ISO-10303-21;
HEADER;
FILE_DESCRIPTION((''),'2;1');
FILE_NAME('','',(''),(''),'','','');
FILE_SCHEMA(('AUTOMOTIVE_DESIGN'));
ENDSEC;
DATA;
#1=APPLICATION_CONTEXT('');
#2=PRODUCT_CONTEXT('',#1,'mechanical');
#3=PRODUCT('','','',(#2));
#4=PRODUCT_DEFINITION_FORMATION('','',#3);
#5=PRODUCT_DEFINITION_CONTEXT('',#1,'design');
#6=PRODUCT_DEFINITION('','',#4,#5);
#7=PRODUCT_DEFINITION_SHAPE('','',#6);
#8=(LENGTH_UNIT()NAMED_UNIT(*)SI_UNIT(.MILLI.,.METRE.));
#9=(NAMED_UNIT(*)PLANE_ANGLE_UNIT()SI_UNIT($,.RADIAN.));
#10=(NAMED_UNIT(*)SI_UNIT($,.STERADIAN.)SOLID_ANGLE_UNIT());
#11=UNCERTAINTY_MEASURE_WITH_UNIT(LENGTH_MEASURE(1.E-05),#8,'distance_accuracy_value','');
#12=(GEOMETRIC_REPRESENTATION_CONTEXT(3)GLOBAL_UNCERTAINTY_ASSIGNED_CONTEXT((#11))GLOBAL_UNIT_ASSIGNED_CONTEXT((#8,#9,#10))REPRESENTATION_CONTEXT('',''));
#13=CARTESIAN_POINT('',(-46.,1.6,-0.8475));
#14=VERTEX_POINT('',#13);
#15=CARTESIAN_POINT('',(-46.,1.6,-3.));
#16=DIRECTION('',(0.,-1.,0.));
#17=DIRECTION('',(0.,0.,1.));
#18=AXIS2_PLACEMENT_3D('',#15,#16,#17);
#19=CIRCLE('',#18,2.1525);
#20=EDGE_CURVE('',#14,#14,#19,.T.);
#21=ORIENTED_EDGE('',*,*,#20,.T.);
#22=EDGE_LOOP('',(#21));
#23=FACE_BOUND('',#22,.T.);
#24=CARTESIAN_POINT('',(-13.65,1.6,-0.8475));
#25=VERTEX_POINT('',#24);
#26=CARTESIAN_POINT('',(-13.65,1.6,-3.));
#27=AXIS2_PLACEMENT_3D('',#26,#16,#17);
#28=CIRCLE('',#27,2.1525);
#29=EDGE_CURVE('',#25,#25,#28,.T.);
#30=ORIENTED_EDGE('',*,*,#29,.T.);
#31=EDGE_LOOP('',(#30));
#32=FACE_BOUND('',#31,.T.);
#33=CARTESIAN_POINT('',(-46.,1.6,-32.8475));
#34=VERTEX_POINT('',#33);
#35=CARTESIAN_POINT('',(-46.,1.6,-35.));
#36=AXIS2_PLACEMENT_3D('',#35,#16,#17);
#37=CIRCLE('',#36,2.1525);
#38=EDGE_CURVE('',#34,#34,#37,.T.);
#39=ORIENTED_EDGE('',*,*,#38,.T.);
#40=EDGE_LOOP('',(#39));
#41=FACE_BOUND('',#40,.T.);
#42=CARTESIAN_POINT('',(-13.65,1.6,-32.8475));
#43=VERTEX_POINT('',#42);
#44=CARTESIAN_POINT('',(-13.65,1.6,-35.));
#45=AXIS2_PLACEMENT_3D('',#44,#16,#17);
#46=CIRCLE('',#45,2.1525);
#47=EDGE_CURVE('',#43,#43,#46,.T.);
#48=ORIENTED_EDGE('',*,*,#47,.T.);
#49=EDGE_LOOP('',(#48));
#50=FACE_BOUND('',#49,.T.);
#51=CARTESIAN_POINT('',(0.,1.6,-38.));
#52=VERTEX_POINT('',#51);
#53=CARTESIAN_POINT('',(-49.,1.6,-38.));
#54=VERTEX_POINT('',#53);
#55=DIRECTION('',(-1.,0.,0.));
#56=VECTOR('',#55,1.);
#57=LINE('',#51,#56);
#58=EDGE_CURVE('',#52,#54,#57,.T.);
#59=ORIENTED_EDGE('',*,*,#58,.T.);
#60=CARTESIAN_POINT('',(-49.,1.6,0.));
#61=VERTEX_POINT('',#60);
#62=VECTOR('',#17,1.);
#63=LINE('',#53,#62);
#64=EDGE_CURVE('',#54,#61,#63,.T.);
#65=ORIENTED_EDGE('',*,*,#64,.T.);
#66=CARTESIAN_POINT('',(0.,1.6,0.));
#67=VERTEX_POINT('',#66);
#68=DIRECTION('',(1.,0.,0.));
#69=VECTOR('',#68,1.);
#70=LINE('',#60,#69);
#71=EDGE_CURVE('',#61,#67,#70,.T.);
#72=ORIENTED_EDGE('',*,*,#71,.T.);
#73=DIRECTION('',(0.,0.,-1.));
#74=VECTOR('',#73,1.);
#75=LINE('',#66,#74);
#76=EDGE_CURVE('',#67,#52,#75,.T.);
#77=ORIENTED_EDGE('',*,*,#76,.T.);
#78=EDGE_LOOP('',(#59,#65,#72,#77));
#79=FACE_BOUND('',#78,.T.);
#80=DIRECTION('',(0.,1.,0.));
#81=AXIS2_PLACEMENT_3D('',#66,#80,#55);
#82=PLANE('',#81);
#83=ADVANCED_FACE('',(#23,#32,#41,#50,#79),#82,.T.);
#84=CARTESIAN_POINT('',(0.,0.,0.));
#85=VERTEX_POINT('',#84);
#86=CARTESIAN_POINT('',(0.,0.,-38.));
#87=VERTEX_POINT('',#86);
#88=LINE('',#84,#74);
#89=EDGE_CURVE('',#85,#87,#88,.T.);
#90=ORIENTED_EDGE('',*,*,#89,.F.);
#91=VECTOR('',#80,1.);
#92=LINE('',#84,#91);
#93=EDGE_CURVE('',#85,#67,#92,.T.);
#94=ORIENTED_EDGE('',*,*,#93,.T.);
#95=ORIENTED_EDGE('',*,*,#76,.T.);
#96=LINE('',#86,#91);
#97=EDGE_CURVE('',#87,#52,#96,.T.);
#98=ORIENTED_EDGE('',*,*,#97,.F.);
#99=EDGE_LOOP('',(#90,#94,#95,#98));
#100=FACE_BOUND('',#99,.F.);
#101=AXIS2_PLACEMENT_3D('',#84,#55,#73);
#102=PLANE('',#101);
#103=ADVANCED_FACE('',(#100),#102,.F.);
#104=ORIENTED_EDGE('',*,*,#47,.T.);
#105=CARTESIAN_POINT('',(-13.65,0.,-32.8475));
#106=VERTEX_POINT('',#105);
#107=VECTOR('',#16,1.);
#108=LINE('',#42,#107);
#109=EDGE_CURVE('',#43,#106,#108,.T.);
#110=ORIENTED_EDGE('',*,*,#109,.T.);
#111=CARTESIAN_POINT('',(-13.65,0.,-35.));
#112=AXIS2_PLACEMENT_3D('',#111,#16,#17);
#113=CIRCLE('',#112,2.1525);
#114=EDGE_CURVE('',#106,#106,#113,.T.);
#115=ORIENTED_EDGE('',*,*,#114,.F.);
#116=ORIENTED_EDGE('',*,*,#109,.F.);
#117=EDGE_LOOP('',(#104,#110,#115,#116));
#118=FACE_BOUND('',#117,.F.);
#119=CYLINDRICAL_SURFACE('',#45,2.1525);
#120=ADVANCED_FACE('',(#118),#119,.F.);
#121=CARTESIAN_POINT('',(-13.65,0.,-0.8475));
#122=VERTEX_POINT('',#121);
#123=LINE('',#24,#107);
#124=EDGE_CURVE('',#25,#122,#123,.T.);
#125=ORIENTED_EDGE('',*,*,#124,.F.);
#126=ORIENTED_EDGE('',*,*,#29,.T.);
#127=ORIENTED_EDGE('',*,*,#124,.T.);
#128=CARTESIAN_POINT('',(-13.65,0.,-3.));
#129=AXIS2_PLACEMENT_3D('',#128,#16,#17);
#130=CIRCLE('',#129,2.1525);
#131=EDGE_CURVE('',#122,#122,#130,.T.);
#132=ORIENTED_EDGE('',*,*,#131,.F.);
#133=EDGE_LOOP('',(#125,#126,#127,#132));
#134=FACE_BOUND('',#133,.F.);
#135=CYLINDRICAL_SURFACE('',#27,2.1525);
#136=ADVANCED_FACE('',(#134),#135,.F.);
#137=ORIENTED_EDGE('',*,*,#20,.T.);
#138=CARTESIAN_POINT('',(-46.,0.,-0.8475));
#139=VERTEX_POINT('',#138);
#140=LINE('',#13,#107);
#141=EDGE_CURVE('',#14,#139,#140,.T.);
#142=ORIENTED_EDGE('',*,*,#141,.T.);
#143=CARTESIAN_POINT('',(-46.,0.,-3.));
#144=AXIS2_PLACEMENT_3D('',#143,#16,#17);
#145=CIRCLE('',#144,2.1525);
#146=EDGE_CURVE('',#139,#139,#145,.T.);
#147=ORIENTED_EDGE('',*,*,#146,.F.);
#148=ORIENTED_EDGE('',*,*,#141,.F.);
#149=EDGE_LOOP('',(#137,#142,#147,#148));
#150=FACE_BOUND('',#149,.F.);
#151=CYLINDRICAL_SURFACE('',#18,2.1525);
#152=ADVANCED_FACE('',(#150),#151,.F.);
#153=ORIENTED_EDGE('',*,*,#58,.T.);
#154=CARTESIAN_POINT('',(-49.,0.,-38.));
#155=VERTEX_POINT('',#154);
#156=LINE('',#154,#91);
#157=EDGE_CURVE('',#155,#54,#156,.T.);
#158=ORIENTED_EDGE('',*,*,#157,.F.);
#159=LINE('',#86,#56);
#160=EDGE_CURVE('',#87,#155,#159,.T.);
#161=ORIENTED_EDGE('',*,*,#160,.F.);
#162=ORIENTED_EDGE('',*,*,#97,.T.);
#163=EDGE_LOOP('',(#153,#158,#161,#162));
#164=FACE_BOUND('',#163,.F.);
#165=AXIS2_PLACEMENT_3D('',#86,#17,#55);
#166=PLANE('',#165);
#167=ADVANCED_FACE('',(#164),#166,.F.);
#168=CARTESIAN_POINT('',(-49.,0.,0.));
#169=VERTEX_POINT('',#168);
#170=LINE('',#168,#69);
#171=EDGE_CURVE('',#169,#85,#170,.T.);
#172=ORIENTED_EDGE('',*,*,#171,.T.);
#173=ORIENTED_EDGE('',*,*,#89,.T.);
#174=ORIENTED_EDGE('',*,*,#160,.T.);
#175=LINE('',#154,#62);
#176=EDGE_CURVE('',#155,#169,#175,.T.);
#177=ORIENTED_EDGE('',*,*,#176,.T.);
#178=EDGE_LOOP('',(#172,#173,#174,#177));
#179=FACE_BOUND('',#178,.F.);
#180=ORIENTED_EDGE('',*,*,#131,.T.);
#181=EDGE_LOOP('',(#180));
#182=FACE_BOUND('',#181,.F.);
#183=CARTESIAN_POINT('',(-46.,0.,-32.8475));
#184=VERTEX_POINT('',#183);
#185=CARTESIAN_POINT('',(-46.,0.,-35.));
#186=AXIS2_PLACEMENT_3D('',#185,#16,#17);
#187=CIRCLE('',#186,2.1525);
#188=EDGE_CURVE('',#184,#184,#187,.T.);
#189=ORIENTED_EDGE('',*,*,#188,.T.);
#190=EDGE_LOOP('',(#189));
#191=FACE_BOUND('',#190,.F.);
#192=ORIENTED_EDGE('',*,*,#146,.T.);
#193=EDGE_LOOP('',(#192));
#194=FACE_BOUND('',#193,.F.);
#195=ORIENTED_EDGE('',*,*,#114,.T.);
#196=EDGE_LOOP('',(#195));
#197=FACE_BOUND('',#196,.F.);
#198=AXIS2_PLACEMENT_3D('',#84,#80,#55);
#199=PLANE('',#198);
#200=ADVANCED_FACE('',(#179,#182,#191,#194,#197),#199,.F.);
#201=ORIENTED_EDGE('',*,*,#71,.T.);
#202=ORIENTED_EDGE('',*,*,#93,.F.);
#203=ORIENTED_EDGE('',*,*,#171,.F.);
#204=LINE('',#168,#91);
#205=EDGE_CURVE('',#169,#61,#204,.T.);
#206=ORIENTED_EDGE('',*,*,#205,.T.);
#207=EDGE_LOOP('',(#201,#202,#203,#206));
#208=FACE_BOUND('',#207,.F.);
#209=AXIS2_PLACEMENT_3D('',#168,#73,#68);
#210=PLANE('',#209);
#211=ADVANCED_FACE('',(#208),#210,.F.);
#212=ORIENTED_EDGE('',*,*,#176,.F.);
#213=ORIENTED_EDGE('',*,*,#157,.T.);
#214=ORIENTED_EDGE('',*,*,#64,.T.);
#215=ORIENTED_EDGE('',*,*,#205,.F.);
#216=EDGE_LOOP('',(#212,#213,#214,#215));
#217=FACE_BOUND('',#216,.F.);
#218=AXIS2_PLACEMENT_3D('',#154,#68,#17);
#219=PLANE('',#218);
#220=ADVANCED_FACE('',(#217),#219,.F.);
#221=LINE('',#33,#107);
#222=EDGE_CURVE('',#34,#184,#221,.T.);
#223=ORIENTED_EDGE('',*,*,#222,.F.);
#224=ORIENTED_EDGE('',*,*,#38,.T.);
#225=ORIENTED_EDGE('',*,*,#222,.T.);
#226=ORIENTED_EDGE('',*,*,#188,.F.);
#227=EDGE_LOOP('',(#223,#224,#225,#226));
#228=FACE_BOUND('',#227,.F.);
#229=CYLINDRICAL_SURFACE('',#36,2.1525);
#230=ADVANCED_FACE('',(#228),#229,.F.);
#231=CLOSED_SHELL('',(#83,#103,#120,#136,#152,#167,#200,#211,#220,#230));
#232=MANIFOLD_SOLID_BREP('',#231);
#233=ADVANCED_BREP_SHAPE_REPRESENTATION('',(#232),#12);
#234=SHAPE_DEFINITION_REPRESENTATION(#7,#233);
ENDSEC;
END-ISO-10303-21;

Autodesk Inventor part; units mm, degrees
ref_plane "YZ Plane" through (0, 0, 0) normal (1, 0, 0) x (0, 1, 0)
ref_plane "XZ Plane" through (0, 0, 0) normal (0, 1, 0) x (-1, 0, 0)
ref_plane "XY Plane" through (0, 0, 0) normal (0, 0, 1) x (1, 0, 0)
sketch "Sketch1" plane through (0, 0, 0) normal (0, 1, 0) x (-1, 0, 0)
  line L0 (49, 0) -> (0, 0)
  line L1 (0, 0) -> (0, -38)
  line L2 (0, -38) -> (49, -38)
  line L3 (49, -38) -> (49, 0)
  dimension "d0" = 38
  dimension "d1" = 49
extrude "Extrusion1" add sketch "Sketch1" along normal blind 1.6
sketch "Sketch2" plane through (0, 1.6, 0) normal (0, 1, 0) x (1, 0, 0)
  line L0 (-49, 38) -> (-49, 0) construction
  line L1 (-49, 19) -> (0, 19) construction
  line L2 (0, 0) -> (0, 38) construction
  line L3 (0, 38) -> (-49, 38) projected
  point P0 (-13.65, 3)
  point P1 (-13.65, 35)
  point P2 (-46, 35)
  point P3 (-46, 3)
  dimension "d5" = 32.35
  dimension "d6" = 3
  dimension "d14" = 3
hole "Hole1" at (-13.65, 1.6, -3) at (-13.65, 1.6, -35) at (-46, 1.6, -35) at (-46, 1.6, -3) direction (0, -1, 0) diameter 4.305 end through all clearance for "Flat Head Machine Screw (82)" size "#6" standard "Ansi Unified Screw Threads"
properties part number "_Reference_PCB"
